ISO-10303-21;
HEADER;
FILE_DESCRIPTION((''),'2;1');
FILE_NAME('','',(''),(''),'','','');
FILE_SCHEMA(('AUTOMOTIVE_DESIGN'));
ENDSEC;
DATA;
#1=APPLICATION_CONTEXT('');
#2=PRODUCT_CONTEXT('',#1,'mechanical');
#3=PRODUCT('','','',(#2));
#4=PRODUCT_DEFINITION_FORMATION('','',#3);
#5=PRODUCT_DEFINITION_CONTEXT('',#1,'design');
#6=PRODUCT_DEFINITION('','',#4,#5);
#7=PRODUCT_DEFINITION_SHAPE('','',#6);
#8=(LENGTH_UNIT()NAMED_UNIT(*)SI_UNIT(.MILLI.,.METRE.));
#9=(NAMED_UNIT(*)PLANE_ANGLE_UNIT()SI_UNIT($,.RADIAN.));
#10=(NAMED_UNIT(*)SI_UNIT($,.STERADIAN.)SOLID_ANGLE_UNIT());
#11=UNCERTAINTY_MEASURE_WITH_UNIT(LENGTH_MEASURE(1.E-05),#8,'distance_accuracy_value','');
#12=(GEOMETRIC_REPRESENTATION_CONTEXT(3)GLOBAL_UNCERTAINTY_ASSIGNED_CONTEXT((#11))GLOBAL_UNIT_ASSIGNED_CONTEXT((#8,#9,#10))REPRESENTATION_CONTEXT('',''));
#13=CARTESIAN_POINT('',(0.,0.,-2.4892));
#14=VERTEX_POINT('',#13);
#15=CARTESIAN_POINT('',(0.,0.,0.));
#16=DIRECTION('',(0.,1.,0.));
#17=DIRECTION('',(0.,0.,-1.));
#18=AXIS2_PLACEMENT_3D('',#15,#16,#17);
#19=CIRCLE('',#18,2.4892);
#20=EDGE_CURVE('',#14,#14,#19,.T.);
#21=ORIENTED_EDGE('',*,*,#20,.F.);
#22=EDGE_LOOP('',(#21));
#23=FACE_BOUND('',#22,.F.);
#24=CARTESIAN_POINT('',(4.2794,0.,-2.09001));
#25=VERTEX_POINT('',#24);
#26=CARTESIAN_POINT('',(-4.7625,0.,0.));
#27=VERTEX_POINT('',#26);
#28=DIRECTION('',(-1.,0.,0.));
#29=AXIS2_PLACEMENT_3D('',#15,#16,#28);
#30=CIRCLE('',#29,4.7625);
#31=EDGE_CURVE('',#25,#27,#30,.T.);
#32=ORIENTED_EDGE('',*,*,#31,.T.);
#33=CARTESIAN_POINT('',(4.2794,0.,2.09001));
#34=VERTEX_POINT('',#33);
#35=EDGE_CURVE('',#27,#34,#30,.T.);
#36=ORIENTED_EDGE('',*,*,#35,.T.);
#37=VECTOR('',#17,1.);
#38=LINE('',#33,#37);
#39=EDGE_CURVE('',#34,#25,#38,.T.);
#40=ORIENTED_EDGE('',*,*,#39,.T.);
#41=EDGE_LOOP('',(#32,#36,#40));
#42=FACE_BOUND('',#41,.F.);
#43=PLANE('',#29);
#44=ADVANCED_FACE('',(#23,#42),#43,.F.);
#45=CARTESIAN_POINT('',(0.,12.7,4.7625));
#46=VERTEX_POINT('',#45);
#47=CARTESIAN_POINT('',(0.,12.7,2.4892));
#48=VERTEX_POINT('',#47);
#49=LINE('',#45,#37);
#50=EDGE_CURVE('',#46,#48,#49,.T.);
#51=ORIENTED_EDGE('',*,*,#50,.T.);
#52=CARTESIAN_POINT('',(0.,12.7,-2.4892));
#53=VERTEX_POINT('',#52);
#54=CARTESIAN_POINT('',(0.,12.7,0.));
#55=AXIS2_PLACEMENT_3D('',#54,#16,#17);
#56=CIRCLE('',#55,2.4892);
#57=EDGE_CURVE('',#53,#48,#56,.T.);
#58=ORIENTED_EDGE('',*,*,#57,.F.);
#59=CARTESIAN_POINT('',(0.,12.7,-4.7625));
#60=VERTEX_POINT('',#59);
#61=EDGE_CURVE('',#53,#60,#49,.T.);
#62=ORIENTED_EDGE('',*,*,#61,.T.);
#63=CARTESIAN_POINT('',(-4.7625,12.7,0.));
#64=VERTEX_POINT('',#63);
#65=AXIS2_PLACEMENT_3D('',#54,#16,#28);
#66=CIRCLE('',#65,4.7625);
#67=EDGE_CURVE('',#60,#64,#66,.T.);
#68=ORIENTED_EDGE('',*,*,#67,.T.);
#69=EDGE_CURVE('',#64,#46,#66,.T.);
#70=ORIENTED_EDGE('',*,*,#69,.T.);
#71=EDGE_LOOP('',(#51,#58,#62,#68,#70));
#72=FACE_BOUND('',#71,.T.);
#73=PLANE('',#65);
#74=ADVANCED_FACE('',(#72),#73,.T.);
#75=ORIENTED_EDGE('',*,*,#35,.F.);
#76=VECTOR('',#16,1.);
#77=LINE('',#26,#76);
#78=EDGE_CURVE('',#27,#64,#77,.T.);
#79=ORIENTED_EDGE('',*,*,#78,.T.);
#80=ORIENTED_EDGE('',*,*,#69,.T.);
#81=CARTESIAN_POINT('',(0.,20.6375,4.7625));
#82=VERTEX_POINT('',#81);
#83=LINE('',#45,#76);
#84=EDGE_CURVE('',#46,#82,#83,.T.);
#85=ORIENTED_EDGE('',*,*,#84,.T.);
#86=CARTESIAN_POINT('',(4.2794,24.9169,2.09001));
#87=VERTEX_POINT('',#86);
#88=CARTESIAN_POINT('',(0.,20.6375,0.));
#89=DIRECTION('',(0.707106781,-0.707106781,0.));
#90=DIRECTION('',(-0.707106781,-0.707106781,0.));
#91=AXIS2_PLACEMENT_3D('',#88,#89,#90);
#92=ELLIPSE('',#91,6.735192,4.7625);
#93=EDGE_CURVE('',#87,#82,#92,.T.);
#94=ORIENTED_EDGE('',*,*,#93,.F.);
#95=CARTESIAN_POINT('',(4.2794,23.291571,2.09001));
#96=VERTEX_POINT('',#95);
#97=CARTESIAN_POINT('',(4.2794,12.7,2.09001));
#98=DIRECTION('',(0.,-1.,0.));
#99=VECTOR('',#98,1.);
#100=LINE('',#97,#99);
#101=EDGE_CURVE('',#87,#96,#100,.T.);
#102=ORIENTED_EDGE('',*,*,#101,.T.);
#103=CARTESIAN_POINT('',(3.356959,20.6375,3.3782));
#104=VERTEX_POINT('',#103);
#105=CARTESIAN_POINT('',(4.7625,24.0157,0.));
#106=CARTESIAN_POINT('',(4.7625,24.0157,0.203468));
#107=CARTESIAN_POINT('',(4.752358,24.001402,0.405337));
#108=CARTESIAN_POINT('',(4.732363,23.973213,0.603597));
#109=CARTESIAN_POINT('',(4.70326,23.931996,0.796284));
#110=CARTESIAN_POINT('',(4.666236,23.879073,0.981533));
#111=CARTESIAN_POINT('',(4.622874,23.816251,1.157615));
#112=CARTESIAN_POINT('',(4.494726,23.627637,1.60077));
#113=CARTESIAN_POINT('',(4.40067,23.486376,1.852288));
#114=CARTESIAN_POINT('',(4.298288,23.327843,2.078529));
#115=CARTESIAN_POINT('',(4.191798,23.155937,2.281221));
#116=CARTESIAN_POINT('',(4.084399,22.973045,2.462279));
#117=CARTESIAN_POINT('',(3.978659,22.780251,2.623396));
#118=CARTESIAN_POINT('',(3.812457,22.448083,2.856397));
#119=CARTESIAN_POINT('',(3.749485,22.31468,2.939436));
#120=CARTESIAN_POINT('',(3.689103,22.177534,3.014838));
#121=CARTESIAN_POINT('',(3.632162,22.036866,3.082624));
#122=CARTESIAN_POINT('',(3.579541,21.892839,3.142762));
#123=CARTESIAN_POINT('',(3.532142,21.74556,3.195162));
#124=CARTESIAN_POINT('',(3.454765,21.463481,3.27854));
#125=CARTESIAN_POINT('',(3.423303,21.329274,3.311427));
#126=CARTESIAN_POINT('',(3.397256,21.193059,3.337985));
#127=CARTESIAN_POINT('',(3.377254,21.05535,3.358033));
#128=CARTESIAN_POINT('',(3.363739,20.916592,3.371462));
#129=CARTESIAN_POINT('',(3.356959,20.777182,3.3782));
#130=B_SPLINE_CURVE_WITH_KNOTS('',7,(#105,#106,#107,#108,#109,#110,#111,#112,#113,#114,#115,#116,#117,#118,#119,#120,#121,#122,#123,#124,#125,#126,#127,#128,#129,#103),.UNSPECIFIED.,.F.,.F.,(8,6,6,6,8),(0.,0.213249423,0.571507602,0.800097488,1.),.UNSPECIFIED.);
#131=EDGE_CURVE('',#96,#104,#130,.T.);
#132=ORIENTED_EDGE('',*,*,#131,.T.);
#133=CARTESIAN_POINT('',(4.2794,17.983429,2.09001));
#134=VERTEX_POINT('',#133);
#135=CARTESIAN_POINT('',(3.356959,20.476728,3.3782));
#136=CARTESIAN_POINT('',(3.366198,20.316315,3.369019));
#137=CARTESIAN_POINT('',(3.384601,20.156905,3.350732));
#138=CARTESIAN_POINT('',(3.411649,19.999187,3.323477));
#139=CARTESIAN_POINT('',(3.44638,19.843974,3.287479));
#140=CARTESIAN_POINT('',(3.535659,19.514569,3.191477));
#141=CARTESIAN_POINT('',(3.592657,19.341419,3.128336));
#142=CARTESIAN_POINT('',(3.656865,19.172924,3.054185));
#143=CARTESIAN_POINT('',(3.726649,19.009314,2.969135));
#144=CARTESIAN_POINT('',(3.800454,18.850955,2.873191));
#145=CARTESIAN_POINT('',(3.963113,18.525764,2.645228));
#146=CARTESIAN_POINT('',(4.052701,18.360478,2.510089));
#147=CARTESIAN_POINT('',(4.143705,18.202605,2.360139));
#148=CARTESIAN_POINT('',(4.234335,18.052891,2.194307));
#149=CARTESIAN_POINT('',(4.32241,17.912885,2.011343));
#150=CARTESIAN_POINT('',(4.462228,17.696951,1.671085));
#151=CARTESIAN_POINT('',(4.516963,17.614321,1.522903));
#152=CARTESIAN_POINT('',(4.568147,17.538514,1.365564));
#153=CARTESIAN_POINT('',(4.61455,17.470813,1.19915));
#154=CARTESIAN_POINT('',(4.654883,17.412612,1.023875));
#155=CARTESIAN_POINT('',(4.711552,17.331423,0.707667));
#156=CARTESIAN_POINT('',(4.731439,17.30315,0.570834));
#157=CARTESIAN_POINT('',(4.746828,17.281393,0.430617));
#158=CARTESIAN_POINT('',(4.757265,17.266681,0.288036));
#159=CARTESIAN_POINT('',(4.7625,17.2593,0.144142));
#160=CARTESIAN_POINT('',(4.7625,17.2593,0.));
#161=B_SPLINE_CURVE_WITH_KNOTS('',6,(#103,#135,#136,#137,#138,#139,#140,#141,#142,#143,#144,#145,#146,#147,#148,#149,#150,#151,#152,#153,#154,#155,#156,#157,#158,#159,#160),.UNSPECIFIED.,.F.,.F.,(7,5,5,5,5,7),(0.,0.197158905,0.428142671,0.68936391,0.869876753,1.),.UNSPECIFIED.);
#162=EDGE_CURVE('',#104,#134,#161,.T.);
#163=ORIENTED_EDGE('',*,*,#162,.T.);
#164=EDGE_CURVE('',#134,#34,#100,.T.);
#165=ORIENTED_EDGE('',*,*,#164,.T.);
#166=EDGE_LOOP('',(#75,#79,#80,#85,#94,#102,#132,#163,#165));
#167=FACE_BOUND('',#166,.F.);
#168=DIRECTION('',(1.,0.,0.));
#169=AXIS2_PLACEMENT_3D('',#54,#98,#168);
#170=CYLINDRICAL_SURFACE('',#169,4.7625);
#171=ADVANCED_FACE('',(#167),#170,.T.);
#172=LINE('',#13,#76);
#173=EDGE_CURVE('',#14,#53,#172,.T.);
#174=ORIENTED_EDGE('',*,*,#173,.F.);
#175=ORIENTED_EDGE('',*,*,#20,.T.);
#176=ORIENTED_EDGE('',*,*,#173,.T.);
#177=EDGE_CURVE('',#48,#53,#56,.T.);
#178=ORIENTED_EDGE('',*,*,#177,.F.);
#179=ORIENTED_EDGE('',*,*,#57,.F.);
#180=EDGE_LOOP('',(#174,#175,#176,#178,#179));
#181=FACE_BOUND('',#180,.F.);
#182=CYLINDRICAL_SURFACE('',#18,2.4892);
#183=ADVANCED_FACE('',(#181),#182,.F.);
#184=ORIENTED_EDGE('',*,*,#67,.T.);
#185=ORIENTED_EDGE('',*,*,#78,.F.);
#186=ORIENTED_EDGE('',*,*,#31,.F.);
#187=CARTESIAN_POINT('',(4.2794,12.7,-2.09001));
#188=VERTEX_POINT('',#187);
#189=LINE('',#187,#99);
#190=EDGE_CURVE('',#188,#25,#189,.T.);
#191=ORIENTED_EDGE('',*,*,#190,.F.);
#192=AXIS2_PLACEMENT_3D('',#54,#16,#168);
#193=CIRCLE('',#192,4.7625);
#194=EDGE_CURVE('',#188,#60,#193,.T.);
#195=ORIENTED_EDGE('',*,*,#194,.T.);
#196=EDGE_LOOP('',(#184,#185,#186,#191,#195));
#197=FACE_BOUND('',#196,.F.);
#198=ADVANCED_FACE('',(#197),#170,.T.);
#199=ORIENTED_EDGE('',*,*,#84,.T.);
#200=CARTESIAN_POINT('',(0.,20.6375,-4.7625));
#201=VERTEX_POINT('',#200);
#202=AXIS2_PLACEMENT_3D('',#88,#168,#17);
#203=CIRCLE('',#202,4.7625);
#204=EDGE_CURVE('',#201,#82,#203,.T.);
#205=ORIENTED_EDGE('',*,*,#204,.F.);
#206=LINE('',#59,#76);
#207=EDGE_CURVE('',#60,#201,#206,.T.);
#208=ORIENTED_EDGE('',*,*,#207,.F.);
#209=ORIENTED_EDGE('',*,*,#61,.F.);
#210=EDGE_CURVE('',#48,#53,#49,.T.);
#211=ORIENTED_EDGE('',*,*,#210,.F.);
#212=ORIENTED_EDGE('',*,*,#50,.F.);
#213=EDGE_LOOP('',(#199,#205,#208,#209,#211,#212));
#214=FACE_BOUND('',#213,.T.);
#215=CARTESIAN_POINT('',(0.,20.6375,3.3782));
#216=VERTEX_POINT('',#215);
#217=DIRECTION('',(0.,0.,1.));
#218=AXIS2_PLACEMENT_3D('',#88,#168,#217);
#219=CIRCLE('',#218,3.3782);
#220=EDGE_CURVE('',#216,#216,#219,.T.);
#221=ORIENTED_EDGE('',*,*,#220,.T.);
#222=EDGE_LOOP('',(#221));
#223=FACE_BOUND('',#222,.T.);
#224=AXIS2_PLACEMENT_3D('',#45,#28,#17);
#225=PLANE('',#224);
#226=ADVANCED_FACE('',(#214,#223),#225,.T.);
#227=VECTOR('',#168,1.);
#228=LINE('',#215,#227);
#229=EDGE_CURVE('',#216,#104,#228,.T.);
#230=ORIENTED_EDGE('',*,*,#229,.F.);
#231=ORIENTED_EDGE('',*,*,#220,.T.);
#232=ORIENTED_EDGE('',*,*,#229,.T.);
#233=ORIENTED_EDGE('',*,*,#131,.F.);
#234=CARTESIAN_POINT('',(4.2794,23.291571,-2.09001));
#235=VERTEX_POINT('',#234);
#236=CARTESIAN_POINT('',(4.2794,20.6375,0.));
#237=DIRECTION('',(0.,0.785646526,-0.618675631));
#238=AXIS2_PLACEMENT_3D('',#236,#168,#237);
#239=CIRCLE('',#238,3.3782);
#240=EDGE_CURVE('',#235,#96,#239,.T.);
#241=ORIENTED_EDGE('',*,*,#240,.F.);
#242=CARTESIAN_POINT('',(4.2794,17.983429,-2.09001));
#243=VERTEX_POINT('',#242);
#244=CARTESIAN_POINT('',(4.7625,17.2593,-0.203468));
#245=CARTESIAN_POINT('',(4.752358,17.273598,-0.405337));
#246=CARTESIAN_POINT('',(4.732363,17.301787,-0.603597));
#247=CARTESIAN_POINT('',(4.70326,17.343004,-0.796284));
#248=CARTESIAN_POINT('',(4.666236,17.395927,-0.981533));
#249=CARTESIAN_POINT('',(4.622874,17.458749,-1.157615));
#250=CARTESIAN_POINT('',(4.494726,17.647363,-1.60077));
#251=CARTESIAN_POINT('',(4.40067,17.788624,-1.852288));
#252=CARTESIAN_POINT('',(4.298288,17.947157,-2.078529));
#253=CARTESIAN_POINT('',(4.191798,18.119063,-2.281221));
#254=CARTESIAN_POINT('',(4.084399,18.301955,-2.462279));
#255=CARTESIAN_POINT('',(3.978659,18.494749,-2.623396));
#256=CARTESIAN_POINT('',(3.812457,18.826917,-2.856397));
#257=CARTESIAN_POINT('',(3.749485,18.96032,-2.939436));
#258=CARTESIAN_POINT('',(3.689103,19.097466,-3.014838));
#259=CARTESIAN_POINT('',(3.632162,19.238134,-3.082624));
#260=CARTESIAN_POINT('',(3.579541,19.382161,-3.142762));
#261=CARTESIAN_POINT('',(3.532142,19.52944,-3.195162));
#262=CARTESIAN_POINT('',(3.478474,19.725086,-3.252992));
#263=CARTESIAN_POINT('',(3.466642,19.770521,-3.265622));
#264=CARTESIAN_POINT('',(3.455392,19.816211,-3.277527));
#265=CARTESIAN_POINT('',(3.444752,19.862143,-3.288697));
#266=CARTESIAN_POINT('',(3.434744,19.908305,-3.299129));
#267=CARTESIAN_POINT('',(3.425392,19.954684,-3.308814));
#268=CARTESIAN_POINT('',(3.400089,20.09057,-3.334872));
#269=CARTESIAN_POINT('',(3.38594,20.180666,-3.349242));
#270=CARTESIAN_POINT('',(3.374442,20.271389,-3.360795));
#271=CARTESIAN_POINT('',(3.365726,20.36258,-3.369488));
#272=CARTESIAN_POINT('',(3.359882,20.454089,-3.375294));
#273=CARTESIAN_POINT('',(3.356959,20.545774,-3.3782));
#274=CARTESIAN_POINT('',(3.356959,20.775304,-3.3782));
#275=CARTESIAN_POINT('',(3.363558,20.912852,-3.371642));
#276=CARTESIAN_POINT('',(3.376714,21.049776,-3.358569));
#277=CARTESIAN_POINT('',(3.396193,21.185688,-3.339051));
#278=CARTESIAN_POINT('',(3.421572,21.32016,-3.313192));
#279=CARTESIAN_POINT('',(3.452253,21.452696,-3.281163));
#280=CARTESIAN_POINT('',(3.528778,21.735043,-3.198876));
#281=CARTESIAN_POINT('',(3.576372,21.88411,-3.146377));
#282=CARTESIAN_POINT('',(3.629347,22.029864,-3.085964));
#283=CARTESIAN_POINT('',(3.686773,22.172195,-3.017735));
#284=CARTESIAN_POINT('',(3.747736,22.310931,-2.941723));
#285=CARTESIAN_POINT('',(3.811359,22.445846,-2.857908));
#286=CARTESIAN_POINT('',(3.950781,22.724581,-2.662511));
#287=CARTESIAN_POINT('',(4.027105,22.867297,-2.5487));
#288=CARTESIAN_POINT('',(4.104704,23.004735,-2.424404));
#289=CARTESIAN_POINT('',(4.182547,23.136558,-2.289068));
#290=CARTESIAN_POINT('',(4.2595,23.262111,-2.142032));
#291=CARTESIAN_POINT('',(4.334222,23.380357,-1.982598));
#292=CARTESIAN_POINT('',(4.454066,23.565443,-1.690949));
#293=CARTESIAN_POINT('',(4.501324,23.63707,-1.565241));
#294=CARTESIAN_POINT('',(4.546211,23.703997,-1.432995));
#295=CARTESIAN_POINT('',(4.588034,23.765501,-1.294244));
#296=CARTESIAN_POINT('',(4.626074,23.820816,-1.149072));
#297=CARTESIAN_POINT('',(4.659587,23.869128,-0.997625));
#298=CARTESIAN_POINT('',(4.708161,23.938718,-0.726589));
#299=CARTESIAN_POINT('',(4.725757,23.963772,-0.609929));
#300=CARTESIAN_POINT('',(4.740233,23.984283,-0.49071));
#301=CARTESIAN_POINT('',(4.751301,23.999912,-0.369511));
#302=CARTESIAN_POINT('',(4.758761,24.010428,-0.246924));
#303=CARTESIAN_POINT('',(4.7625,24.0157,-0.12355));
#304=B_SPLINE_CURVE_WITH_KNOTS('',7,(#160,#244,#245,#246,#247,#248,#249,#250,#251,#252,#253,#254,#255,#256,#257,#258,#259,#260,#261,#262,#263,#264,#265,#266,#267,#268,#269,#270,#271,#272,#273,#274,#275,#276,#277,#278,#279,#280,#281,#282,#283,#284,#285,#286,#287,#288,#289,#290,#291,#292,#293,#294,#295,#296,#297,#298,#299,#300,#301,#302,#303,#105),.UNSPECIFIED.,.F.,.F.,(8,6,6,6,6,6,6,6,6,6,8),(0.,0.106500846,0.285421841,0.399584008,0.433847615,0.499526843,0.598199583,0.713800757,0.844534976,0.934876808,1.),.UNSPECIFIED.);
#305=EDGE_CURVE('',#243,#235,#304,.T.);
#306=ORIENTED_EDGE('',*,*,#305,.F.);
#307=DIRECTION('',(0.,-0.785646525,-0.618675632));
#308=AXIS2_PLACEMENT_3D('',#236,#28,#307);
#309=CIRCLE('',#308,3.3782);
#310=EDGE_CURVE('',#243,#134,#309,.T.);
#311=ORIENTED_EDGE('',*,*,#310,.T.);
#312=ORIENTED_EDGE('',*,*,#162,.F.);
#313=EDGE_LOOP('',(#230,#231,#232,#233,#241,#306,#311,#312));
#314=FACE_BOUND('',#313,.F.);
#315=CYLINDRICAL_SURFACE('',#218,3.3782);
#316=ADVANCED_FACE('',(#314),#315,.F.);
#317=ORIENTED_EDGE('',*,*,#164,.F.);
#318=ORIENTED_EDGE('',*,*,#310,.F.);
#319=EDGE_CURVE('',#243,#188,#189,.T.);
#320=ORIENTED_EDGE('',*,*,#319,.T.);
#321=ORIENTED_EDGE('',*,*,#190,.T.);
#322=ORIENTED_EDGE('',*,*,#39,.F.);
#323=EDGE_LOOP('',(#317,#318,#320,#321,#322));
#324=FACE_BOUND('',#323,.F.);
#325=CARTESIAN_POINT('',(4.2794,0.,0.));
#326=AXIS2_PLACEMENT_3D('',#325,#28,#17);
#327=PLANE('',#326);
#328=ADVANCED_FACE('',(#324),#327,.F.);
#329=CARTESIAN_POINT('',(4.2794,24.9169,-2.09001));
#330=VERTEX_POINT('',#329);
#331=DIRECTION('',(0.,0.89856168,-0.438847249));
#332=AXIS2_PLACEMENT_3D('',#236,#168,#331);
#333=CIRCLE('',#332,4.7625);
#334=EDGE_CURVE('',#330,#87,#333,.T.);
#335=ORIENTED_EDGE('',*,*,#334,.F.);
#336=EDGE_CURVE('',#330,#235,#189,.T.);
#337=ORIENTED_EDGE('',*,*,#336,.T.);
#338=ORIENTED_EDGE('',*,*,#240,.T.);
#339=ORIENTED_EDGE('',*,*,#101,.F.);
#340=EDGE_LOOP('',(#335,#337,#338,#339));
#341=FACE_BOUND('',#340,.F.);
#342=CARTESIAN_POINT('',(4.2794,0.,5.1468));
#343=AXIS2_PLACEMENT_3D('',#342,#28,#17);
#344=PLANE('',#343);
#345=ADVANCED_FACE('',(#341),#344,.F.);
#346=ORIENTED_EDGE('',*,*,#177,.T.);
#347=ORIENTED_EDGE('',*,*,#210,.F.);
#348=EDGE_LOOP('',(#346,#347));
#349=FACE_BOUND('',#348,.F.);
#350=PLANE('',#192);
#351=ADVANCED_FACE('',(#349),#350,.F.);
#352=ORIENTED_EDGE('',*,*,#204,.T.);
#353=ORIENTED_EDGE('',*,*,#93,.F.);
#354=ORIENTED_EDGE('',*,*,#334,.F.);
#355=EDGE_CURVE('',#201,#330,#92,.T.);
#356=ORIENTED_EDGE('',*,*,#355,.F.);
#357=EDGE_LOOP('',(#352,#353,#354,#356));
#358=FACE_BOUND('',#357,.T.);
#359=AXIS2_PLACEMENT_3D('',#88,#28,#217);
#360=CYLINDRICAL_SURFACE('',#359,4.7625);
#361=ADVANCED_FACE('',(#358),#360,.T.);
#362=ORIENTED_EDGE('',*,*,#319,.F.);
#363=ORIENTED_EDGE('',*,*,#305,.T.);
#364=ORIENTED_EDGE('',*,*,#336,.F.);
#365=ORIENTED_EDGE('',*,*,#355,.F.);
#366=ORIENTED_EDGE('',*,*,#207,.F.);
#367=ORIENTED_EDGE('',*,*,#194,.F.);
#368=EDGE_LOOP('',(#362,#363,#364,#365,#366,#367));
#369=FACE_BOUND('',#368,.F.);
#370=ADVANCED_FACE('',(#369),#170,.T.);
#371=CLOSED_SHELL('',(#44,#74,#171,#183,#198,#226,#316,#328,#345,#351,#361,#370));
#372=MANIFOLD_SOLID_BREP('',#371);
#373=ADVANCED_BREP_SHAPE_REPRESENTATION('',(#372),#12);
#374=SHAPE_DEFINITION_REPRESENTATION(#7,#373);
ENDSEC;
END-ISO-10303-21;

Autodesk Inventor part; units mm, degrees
ref_plane "YZ Plane" through (0, 0, 0) normal (1, 0, 0) x (0, 1, 0)
ref_plane "XZ Plane" through (0, 0, 0) normal (0, 1, 0) x (-1, 0, 0)
ref_plane "XY Plane" through (0, 0, 0) normal (0, 0, 1) x (1, 0, 0)
sketch "Sketch1" plane through (0, 0, 0) normal (0, 1, 0) x (-1, 0, 0)
  circle A0 centre (0, 0) radius 4.7625
  dimension "d0" = 9.525
extrude "Extrusion1" add sketch "Sketch1" along normal blind 12.7
sketch "Sketch2" plane through (0, 0, 0) normal (0, -1, 0) x (1, 0, 0)
  circle A0 centre (0, 0) radius 2.539
hole "Hole1" at (0, 0, 0) direction (0, 1, 0) diameter 4.9784 depth 19.05 tip angle 118 thread size "1/4-20 UNC" class "2B" standard "ANSI Unified Screw Threads"
sketch "Sketch3" plane through (0, 12.7, 0) normal (0, 1, 0) x (1, 0, 0)
  circle A0 centre (0, 0) radius 4.7625
  circle A1 centre (0, 0) radius 4.7625 projected
  line L0 (0, -4.7625) -> (0, 4.7625)
  dimension "d10" = 9.525
extrude "Extrusion2" add sketch "Sketch3" along normal blind 12.7 contours A0 L0 picked at (1.6786, -1.3984)
sketch "Sketch4" plane through (0, 12.7, -2.4892) normal (-1, 0, 0) x (0, 0, 1)
  line L0 (-2.2733, 0) -> (-2.2733, 12.7) projected
  line L1 (7.2517, 0) -> (7.2517, 12.7) projected
  line L2 (-2.2733, 0) -> (7.2517, 0)
  line L3 (7.2517, 0) -> (7.2517, 12.7)
  line L4 (7.2517, 12.7) -> (-2.2733, 12.7)
  line L5 (-2.2733, 12.7) -> (-2.2733, 0)
  arc A0 (7.2517, 7.9375) -> (-2.2733, 7.9375) centre (2.4892, 7.9375) ccw
  line L6 (7.2517, 12.7) -> (-2.2733, 12.7) projected
  line L7 (-2.2733, 7.9375) -> (-2.2733, 12.7)
  line L8 (-2.2733, 12.7) -> (7.2517, 12.7)
  line L9 (7.2517, 12.7) -> (7.2517, 7.9375)
  point P0 (2.4892, -12.7)
extrude "Extrusion3" cut sketch "Sketch4" against normal blind 12.7 contours L0 L4 A0 | L4 L1 A0
sketch "Sketch5" plane through (0, 12.7, -2.4892) normal (-1, 0, 0) x (0, 0, 1)
  arc A0 (7.2517, 7.9375) -> (-2.2733, 7.9375) centre (2.4892, 7.9375) ccw projected
  circle A1 centre (2.4892, 7.9375) radius 2.2013
  point P0 (2.4892, -12.7)
hole "Hole2" at (0, 20.6375, 0) direction (1, 0, 0) diameter 6.7564 depth 19.05 tip angle 118 clearance for "Flat Head Machine Screw (82)" size "1/4" standard "Ansi Unified Screw Threads"
sketch "Sketch6" plane through (0, 0, 0) normal (0, -1, 0) x (1, 0, 0)
  line L0 (0, 0) -> (4.7909, 0)
  line L1 (5.3024, 5.1468) -> (4.2794, 5.1468)
  line L2 (4.2794, 5.1468) -> (4.2794, -5.1468)
  line L3 (4.2794, -5.1468) -> (5.3024, -5.1468)
  line L4 (5.3024, -5.1468) -> (5.3024, 5.1468)
  line L5 (5.3024, 5.1468) -> (4.2794, -5.1468) construction
  line L6 (4.2794, 5.1468) -> (5.3024, -5.1468) construction
extrude "Extrusion4" cut sketch "Sketch6" against normal blind 25.4
properties part number "feet type 3 part 1" material "Stainless Steel"
